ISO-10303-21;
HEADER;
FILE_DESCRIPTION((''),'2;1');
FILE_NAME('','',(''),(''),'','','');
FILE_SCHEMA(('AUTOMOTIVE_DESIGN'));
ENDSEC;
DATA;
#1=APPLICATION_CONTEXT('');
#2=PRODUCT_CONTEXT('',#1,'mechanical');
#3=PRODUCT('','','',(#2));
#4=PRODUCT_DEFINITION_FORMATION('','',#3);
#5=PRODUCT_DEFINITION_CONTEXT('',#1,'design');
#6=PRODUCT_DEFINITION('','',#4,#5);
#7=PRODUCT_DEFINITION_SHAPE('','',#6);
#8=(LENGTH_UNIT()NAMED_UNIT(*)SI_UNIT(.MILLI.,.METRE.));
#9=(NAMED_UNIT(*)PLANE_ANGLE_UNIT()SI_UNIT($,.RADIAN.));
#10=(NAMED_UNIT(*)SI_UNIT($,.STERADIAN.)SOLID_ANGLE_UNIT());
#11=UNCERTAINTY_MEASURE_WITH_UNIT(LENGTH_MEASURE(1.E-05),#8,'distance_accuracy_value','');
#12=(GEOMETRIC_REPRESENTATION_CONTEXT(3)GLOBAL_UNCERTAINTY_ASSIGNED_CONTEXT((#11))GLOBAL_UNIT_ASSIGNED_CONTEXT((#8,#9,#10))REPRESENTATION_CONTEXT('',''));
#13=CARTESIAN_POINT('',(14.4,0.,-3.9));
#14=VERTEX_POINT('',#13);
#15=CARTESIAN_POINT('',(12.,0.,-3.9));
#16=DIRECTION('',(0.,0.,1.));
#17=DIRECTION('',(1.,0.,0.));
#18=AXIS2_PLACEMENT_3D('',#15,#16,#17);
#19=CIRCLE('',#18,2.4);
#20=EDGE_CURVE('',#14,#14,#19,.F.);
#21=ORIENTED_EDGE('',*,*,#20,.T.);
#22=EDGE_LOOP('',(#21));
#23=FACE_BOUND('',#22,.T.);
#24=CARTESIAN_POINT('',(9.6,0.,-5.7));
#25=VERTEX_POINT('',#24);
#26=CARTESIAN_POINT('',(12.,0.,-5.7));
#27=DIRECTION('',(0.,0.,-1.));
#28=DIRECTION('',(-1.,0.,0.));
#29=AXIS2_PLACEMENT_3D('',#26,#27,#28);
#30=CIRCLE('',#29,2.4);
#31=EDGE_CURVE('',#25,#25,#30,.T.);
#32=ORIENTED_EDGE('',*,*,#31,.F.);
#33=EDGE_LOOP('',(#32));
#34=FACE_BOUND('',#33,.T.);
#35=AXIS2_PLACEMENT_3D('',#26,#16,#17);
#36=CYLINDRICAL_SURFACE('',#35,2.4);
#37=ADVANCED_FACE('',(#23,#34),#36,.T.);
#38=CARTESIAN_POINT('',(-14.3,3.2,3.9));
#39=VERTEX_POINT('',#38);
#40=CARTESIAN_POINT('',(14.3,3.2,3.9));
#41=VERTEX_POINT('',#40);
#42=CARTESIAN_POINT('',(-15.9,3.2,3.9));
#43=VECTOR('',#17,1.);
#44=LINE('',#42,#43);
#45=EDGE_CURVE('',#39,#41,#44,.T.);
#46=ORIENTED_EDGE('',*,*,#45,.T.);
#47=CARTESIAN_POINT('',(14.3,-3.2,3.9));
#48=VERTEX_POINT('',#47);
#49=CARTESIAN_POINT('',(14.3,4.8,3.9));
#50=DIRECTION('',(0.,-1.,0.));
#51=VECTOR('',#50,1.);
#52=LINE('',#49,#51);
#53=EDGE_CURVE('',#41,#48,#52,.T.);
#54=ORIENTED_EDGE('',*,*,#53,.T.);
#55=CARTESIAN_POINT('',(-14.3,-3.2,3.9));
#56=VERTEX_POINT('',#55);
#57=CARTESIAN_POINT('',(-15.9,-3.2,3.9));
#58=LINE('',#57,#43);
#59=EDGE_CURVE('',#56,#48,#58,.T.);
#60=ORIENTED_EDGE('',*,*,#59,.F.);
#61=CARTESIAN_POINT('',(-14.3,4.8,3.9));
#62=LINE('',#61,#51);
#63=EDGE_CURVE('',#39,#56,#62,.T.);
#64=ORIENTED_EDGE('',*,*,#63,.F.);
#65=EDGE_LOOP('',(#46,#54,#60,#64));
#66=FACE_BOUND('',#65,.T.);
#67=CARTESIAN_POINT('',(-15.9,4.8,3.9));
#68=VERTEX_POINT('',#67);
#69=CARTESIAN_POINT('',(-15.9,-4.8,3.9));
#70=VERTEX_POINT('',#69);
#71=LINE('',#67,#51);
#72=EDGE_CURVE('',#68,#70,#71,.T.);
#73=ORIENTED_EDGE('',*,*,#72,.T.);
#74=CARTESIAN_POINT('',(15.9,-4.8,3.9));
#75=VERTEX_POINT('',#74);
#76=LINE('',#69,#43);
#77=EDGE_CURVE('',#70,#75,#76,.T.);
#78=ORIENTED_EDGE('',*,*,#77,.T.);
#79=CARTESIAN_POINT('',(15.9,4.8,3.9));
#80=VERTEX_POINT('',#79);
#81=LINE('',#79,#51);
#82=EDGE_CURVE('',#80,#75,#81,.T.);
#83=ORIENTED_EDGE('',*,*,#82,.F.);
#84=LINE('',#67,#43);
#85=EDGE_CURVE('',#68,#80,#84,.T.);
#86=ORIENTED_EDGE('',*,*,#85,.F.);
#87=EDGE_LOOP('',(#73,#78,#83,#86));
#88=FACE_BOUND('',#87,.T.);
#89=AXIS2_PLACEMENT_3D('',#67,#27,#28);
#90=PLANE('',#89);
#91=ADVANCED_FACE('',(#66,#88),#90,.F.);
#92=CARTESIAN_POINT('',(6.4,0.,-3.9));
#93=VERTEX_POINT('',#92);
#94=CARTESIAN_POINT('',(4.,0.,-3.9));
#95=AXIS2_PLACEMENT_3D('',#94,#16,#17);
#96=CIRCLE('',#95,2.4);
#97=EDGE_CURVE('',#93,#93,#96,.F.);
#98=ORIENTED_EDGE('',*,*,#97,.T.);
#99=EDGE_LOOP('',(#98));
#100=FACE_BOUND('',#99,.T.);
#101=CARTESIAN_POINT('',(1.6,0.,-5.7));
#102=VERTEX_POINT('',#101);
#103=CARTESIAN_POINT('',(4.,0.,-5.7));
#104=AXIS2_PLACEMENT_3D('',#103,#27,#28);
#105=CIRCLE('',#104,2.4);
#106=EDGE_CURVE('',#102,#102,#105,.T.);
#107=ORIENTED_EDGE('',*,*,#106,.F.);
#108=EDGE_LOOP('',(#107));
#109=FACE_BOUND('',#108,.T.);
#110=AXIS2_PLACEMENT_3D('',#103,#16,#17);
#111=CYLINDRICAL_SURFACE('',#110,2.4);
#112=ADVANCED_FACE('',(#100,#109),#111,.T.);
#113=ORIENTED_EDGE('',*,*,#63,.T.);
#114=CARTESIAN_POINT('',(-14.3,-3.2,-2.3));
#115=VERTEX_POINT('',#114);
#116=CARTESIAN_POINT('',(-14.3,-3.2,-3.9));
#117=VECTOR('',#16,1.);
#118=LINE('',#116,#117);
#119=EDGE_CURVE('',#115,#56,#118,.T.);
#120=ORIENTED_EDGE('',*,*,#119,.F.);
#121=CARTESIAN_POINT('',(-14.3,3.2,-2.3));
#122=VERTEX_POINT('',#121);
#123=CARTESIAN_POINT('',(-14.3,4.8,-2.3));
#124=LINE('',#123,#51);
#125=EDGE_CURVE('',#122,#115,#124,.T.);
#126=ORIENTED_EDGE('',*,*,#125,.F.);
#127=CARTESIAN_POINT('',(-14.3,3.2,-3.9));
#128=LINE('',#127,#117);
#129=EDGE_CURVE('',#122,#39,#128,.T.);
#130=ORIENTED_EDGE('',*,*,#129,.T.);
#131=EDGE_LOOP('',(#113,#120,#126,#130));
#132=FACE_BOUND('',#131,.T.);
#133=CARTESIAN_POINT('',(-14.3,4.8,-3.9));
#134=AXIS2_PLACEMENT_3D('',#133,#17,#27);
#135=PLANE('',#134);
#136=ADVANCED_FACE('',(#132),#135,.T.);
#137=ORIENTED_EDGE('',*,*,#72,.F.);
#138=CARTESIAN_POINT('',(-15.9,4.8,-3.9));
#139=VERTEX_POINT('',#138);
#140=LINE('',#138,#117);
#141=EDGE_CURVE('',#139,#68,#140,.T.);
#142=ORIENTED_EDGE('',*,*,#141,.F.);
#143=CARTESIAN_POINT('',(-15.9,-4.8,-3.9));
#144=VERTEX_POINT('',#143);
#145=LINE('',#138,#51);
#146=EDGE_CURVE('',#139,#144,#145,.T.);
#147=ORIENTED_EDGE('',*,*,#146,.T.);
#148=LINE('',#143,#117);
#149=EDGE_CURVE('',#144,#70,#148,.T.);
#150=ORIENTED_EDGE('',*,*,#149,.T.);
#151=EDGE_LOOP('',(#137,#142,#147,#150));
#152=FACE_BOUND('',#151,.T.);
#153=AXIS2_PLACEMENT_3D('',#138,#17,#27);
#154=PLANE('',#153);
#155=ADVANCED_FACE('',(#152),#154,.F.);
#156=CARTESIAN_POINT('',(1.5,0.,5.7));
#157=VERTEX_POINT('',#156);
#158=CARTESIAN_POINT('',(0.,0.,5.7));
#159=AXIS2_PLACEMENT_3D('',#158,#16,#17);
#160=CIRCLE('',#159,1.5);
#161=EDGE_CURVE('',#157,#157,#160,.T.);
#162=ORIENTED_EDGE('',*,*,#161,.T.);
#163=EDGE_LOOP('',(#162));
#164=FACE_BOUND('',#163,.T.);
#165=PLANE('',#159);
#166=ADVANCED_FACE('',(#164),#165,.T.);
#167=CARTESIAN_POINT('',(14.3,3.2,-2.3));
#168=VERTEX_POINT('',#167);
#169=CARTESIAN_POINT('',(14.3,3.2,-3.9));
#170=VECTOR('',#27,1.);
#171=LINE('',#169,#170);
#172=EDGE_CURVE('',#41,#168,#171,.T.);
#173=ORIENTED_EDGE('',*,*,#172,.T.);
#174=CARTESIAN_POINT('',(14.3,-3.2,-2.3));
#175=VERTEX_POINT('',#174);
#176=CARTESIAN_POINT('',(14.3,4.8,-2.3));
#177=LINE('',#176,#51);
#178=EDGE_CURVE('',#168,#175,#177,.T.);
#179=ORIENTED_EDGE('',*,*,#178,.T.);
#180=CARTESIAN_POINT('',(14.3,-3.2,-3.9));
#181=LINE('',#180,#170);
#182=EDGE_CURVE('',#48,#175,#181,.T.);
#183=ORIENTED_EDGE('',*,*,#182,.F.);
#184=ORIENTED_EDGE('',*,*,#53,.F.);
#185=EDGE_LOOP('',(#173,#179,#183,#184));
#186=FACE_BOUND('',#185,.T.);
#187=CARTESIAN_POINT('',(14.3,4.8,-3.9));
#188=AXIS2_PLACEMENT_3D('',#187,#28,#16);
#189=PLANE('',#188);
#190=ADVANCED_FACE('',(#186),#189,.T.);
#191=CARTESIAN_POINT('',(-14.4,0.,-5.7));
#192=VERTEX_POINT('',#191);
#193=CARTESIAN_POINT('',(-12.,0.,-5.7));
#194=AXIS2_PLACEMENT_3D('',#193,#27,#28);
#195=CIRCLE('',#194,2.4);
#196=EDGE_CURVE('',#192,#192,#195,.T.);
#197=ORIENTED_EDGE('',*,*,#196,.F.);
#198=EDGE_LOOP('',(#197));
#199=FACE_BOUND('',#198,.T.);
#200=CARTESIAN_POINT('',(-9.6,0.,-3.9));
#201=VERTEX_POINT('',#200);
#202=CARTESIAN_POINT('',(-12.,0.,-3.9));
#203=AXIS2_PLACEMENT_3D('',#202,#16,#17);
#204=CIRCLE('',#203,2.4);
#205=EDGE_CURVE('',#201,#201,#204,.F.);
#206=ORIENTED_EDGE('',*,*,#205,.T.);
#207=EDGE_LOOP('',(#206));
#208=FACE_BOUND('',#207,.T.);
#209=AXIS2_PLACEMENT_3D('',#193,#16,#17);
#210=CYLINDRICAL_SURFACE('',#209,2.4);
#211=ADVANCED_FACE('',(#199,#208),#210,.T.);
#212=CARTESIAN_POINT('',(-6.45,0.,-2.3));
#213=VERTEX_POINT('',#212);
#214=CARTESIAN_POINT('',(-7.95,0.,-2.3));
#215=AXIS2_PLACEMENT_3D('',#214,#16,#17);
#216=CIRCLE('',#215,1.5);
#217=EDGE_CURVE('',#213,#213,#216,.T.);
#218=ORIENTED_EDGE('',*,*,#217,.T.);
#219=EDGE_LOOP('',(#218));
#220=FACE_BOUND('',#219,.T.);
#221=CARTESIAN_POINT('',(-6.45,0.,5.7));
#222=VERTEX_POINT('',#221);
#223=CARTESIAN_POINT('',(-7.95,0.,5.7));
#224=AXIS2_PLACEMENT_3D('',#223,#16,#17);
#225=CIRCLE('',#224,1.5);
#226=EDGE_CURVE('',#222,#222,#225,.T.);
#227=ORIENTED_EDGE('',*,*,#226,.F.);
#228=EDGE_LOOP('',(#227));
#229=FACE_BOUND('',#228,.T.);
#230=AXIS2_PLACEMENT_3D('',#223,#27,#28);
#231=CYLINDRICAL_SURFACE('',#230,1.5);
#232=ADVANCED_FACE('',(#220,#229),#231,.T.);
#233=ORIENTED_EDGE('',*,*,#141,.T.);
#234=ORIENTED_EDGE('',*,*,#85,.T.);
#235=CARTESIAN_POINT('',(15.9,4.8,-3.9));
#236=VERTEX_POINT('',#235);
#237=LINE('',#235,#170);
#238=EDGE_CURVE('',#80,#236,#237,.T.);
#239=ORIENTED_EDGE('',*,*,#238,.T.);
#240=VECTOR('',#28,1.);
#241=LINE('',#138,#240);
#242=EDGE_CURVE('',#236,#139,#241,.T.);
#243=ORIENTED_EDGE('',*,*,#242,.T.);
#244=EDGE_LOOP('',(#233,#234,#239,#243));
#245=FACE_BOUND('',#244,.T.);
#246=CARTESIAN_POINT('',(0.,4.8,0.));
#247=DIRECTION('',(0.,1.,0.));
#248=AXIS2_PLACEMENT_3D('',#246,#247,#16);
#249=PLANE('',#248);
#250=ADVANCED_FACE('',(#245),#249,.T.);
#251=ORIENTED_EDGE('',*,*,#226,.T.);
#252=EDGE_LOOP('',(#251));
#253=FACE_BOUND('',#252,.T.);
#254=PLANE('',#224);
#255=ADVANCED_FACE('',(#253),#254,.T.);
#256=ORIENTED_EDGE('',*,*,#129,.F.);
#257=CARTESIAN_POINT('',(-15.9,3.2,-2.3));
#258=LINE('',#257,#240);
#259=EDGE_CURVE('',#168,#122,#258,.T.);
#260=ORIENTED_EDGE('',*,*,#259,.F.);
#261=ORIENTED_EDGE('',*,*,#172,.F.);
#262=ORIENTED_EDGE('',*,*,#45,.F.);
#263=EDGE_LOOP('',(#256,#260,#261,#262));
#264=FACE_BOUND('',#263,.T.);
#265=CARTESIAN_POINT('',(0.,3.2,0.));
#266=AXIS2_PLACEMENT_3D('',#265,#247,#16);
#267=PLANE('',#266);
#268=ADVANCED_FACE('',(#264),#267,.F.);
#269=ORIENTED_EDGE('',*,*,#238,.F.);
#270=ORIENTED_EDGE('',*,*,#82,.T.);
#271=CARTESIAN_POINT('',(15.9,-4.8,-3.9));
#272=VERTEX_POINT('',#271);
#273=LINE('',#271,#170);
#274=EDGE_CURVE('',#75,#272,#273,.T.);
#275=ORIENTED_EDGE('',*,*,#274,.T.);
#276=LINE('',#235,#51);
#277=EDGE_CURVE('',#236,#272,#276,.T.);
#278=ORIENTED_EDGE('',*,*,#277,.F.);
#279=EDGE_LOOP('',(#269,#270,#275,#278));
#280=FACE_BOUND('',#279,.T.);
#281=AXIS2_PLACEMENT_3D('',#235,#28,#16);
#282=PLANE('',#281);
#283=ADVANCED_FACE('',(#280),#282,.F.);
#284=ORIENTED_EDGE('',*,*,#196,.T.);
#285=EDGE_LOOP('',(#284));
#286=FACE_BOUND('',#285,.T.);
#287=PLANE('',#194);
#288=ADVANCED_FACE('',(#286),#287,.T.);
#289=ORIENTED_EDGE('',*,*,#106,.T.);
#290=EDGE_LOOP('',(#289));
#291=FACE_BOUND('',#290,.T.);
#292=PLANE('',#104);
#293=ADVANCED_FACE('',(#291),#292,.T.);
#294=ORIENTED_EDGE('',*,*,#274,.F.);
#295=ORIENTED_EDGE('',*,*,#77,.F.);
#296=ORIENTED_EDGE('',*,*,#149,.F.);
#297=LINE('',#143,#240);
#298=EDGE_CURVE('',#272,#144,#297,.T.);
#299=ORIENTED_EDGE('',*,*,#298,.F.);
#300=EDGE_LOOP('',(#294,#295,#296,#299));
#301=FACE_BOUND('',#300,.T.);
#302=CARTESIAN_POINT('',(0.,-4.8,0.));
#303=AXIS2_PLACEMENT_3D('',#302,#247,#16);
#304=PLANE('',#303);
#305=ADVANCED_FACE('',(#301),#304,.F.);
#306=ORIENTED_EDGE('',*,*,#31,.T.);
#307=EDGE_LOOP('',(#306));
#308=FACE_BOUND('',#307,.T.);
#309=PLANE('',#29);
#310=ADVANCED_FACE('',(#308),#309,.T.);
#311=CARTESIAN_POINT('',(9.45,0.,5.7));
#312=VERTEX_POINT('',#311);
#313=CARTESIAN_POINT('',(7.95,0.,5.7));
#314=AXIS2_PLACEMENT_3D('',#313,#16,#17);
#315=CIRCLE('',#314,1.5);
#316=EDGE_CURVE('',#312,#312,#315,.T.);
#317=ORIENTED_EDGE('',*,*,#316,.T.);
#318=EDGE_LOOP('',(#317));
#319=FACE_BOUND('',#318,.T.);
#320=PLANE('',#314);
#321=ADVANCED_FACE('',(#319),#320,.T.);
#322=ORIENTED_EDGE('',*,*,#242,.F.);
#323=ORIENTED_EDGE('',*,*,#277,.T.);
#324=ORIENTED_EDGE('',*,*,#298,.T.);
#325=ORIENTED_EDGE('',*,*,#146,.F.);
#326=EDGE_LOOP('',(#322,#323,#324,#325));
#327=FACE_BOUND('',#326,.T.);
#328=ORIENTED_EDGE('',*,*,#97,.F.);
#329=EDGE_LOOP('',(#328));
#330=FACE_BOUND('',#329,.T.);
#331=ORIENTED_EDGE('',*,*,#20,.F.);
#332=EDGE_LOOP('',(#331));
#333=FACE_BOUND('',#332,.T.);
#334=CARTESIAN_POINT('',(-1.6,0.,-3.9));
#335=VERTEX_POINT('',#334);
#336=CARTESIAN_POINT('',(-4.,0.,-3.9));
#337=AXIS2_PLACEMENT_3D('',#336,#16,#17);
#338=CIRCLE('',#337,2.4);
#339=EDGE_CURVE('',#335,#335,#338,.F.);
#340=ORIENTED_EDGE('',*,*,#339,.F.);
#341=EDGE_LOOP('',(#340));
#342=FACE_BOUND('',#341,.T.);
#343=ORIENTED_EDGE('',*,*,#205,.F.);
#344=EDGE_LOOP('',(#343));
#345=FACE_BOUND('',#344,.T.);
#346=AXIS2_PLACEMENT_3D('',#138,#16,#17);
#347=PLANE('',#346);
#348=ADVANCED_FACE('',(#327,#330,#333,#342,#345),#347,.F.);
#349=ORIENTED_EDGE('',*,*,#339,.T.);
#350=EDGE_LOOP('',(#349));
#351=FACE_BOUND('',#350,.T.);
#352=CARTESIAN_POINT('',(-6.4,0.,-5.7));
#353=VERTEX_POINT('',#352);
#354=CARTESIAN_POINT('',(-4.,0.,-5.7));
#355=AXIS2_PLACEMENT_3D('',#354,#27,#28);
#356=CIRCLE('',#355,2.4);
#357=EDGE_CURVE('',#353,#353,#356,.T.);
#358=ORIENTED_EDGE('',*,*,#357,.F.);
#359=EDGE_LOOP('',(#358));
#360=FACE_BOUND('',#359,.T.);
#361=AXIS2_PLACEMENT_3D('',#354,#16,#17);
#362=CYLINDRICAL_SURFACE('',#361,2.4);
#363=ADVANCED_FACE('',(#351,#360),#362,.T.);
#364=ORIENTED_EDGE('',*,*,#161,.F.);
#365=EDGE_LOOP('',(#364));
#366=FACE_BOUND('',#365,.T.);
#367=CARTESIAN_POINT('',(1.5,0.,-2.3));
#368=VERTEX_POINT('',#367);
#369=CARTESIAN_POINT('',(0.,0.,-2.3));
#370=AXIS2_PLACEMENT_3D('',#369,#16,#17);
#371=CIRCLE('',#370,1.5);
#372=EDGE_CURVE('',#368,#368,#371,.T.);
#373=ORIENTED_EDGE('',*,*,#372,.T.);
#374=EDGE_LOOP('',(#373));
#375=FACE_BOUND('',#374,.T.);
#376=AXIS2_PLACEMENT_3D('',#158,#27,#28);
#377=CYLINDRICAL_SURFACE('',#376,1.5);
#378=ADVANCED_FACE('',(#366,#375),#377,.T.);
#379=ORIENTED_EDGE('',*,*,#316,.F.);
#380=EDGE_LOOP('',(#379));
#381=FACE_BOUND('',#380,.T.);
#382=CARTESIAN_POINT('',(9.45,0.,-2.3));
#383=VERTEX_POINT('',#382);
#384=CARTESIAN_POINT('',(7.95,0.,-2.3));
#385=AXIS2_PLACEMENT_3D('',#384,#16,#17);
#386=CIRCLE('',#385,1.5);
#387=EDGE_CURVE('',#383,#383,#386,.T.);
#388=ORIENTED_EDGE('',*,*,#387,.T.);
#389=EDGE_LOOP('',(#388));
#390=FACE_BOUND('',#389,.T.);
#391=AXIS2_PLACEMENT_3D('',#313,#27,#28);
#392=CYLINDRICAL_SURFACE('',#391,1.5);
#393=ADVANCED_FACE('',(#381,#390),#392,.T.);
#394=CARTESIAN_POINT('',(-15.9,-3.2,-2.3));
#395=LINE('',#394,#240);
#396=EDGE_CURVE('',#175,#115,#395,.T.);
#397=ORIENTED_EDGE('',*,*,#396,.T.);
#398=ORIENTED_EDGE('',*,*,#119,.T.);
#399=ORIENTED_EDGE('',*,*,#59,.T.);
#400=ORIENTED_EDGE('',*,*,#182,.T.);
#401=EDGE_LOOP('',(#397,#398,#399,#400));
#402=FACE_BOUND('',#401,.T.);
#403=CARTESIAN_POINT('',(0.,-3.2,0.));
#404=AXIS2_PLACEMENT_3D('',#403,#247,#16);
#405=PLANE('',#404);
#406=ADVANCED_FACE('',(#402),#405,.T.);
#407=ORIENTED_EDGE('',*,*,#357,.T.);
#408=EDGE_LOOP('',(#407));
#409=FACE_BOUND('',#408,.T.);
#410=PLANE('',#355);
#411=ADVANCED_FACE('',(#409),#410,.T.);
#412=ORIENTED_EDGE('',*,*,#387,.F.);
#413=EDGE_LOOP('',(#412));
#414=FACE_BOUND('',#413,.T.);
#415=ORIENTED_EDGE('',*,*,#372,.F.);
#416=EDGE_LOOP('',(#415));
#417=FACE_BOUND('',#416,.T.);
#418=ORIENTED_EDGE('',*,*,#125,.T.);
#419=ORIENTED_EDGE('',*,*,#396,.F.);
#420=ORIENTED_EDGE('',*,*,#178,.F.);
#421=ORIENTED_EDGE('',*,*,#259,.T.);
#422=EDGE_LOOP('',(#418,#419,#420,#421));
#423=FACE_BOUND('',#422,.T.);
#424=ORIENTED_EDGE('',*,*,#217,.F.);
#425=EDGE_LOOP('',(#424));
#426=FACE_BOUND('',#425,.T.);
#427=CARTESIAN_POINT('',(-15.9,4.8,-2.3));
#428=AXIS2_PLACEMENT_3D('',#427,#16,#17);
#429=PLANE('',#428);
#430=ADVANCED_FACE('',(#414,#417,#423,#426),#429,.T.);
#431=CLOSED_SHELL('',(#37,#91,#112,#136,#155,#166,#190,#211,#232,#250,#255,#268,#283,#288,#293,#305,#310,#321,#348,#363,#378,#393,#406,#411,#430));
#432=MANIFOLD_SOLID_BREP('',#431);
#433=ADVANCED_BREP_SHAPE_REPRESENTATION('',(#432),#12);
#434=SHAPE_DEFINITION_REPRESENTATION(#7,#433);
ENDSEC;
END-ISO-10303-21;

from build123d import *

# Parameters (mm, degrees)
SKETCH1_W           = 31.8
SKETCH1_H           = 7.8
BOSS_EXTRUDE1_DEPTH = 4.8
SHELL2_T            = -1.6
SKETCH2_R           = 2.4
BOSS_EXTRUDE2_DEPTH = 1.8
LPATTERN1_COUNT     = 6
LPATTERN1_PITCH     = 8
SKETCH3_R           = 1.5
BOSS_EXTRUDE3_DEPTH = 8
LPATTERN2_COUNT     = 3
LPATTERN2_PITCH     = 7.95


with BuildPart() as part:
    # Sketch1 → Boss-Extrude1 (new body, symmetric)
    with BuildSketch(Plane(origin=(0, 0, 0), x_dir=(1, 0, 0), z_dir=(0, 1, 0))):
        Rectangle(SKETCH1_W, SKETCH1_H)
    extrude(amount=BOSS_EXTRUDE1_DEPTH, both=True)

    # Shell2
    shell2_openings = [part.faces().sort_by_distance(p)[0] for p in [
        (0, 0, 3.9),
    ]]
    offset(amount=SHELL2_T, openings=shell2_openings, kind=Kind.INTERSECTION)

    # Sketch2 → Boss-Extrude2 (add)
    with BuildSketch(Plane(origin=(0, 0, -3.9), x_dir=(-1, 0, 0), z_dir=(0, 0, -1))):
        with Locations((12, 0)):
            Circle(SKETCH2_R)
    boss_extrude2 = extrude(amount=BOSS_EXTRUDE2_DEPTH)

    # LPattern1: Boss-Extrude2 ×6, 2 skipped
    with Locations(*[(i * LPATTERN1_PITCH, 0, 0) for i in range(1, LPATTERN1_COUNT) if i not in (4, 5)]):
        add(boss_extrude2)

    # Sketch3 → Boss-Extrude3 (add)
    with BuildSketch(Plane.XY.offset(-2.3)):
        with Locations((-7.95, 0)):
            Circle(SKETCH3_R)
    boss_extrude3 = extrude(amount=BOSS_EXTRUDE3_DEPTH)

    # LPattern2: Boss-Extrude3 ×3
    with Locations(*[(i * LPATTERN2_PITCH, 0, 0) for i in range(1, LPATTERN2_COUNT)]):
        add(boss_extrude3)


solid = part.part
